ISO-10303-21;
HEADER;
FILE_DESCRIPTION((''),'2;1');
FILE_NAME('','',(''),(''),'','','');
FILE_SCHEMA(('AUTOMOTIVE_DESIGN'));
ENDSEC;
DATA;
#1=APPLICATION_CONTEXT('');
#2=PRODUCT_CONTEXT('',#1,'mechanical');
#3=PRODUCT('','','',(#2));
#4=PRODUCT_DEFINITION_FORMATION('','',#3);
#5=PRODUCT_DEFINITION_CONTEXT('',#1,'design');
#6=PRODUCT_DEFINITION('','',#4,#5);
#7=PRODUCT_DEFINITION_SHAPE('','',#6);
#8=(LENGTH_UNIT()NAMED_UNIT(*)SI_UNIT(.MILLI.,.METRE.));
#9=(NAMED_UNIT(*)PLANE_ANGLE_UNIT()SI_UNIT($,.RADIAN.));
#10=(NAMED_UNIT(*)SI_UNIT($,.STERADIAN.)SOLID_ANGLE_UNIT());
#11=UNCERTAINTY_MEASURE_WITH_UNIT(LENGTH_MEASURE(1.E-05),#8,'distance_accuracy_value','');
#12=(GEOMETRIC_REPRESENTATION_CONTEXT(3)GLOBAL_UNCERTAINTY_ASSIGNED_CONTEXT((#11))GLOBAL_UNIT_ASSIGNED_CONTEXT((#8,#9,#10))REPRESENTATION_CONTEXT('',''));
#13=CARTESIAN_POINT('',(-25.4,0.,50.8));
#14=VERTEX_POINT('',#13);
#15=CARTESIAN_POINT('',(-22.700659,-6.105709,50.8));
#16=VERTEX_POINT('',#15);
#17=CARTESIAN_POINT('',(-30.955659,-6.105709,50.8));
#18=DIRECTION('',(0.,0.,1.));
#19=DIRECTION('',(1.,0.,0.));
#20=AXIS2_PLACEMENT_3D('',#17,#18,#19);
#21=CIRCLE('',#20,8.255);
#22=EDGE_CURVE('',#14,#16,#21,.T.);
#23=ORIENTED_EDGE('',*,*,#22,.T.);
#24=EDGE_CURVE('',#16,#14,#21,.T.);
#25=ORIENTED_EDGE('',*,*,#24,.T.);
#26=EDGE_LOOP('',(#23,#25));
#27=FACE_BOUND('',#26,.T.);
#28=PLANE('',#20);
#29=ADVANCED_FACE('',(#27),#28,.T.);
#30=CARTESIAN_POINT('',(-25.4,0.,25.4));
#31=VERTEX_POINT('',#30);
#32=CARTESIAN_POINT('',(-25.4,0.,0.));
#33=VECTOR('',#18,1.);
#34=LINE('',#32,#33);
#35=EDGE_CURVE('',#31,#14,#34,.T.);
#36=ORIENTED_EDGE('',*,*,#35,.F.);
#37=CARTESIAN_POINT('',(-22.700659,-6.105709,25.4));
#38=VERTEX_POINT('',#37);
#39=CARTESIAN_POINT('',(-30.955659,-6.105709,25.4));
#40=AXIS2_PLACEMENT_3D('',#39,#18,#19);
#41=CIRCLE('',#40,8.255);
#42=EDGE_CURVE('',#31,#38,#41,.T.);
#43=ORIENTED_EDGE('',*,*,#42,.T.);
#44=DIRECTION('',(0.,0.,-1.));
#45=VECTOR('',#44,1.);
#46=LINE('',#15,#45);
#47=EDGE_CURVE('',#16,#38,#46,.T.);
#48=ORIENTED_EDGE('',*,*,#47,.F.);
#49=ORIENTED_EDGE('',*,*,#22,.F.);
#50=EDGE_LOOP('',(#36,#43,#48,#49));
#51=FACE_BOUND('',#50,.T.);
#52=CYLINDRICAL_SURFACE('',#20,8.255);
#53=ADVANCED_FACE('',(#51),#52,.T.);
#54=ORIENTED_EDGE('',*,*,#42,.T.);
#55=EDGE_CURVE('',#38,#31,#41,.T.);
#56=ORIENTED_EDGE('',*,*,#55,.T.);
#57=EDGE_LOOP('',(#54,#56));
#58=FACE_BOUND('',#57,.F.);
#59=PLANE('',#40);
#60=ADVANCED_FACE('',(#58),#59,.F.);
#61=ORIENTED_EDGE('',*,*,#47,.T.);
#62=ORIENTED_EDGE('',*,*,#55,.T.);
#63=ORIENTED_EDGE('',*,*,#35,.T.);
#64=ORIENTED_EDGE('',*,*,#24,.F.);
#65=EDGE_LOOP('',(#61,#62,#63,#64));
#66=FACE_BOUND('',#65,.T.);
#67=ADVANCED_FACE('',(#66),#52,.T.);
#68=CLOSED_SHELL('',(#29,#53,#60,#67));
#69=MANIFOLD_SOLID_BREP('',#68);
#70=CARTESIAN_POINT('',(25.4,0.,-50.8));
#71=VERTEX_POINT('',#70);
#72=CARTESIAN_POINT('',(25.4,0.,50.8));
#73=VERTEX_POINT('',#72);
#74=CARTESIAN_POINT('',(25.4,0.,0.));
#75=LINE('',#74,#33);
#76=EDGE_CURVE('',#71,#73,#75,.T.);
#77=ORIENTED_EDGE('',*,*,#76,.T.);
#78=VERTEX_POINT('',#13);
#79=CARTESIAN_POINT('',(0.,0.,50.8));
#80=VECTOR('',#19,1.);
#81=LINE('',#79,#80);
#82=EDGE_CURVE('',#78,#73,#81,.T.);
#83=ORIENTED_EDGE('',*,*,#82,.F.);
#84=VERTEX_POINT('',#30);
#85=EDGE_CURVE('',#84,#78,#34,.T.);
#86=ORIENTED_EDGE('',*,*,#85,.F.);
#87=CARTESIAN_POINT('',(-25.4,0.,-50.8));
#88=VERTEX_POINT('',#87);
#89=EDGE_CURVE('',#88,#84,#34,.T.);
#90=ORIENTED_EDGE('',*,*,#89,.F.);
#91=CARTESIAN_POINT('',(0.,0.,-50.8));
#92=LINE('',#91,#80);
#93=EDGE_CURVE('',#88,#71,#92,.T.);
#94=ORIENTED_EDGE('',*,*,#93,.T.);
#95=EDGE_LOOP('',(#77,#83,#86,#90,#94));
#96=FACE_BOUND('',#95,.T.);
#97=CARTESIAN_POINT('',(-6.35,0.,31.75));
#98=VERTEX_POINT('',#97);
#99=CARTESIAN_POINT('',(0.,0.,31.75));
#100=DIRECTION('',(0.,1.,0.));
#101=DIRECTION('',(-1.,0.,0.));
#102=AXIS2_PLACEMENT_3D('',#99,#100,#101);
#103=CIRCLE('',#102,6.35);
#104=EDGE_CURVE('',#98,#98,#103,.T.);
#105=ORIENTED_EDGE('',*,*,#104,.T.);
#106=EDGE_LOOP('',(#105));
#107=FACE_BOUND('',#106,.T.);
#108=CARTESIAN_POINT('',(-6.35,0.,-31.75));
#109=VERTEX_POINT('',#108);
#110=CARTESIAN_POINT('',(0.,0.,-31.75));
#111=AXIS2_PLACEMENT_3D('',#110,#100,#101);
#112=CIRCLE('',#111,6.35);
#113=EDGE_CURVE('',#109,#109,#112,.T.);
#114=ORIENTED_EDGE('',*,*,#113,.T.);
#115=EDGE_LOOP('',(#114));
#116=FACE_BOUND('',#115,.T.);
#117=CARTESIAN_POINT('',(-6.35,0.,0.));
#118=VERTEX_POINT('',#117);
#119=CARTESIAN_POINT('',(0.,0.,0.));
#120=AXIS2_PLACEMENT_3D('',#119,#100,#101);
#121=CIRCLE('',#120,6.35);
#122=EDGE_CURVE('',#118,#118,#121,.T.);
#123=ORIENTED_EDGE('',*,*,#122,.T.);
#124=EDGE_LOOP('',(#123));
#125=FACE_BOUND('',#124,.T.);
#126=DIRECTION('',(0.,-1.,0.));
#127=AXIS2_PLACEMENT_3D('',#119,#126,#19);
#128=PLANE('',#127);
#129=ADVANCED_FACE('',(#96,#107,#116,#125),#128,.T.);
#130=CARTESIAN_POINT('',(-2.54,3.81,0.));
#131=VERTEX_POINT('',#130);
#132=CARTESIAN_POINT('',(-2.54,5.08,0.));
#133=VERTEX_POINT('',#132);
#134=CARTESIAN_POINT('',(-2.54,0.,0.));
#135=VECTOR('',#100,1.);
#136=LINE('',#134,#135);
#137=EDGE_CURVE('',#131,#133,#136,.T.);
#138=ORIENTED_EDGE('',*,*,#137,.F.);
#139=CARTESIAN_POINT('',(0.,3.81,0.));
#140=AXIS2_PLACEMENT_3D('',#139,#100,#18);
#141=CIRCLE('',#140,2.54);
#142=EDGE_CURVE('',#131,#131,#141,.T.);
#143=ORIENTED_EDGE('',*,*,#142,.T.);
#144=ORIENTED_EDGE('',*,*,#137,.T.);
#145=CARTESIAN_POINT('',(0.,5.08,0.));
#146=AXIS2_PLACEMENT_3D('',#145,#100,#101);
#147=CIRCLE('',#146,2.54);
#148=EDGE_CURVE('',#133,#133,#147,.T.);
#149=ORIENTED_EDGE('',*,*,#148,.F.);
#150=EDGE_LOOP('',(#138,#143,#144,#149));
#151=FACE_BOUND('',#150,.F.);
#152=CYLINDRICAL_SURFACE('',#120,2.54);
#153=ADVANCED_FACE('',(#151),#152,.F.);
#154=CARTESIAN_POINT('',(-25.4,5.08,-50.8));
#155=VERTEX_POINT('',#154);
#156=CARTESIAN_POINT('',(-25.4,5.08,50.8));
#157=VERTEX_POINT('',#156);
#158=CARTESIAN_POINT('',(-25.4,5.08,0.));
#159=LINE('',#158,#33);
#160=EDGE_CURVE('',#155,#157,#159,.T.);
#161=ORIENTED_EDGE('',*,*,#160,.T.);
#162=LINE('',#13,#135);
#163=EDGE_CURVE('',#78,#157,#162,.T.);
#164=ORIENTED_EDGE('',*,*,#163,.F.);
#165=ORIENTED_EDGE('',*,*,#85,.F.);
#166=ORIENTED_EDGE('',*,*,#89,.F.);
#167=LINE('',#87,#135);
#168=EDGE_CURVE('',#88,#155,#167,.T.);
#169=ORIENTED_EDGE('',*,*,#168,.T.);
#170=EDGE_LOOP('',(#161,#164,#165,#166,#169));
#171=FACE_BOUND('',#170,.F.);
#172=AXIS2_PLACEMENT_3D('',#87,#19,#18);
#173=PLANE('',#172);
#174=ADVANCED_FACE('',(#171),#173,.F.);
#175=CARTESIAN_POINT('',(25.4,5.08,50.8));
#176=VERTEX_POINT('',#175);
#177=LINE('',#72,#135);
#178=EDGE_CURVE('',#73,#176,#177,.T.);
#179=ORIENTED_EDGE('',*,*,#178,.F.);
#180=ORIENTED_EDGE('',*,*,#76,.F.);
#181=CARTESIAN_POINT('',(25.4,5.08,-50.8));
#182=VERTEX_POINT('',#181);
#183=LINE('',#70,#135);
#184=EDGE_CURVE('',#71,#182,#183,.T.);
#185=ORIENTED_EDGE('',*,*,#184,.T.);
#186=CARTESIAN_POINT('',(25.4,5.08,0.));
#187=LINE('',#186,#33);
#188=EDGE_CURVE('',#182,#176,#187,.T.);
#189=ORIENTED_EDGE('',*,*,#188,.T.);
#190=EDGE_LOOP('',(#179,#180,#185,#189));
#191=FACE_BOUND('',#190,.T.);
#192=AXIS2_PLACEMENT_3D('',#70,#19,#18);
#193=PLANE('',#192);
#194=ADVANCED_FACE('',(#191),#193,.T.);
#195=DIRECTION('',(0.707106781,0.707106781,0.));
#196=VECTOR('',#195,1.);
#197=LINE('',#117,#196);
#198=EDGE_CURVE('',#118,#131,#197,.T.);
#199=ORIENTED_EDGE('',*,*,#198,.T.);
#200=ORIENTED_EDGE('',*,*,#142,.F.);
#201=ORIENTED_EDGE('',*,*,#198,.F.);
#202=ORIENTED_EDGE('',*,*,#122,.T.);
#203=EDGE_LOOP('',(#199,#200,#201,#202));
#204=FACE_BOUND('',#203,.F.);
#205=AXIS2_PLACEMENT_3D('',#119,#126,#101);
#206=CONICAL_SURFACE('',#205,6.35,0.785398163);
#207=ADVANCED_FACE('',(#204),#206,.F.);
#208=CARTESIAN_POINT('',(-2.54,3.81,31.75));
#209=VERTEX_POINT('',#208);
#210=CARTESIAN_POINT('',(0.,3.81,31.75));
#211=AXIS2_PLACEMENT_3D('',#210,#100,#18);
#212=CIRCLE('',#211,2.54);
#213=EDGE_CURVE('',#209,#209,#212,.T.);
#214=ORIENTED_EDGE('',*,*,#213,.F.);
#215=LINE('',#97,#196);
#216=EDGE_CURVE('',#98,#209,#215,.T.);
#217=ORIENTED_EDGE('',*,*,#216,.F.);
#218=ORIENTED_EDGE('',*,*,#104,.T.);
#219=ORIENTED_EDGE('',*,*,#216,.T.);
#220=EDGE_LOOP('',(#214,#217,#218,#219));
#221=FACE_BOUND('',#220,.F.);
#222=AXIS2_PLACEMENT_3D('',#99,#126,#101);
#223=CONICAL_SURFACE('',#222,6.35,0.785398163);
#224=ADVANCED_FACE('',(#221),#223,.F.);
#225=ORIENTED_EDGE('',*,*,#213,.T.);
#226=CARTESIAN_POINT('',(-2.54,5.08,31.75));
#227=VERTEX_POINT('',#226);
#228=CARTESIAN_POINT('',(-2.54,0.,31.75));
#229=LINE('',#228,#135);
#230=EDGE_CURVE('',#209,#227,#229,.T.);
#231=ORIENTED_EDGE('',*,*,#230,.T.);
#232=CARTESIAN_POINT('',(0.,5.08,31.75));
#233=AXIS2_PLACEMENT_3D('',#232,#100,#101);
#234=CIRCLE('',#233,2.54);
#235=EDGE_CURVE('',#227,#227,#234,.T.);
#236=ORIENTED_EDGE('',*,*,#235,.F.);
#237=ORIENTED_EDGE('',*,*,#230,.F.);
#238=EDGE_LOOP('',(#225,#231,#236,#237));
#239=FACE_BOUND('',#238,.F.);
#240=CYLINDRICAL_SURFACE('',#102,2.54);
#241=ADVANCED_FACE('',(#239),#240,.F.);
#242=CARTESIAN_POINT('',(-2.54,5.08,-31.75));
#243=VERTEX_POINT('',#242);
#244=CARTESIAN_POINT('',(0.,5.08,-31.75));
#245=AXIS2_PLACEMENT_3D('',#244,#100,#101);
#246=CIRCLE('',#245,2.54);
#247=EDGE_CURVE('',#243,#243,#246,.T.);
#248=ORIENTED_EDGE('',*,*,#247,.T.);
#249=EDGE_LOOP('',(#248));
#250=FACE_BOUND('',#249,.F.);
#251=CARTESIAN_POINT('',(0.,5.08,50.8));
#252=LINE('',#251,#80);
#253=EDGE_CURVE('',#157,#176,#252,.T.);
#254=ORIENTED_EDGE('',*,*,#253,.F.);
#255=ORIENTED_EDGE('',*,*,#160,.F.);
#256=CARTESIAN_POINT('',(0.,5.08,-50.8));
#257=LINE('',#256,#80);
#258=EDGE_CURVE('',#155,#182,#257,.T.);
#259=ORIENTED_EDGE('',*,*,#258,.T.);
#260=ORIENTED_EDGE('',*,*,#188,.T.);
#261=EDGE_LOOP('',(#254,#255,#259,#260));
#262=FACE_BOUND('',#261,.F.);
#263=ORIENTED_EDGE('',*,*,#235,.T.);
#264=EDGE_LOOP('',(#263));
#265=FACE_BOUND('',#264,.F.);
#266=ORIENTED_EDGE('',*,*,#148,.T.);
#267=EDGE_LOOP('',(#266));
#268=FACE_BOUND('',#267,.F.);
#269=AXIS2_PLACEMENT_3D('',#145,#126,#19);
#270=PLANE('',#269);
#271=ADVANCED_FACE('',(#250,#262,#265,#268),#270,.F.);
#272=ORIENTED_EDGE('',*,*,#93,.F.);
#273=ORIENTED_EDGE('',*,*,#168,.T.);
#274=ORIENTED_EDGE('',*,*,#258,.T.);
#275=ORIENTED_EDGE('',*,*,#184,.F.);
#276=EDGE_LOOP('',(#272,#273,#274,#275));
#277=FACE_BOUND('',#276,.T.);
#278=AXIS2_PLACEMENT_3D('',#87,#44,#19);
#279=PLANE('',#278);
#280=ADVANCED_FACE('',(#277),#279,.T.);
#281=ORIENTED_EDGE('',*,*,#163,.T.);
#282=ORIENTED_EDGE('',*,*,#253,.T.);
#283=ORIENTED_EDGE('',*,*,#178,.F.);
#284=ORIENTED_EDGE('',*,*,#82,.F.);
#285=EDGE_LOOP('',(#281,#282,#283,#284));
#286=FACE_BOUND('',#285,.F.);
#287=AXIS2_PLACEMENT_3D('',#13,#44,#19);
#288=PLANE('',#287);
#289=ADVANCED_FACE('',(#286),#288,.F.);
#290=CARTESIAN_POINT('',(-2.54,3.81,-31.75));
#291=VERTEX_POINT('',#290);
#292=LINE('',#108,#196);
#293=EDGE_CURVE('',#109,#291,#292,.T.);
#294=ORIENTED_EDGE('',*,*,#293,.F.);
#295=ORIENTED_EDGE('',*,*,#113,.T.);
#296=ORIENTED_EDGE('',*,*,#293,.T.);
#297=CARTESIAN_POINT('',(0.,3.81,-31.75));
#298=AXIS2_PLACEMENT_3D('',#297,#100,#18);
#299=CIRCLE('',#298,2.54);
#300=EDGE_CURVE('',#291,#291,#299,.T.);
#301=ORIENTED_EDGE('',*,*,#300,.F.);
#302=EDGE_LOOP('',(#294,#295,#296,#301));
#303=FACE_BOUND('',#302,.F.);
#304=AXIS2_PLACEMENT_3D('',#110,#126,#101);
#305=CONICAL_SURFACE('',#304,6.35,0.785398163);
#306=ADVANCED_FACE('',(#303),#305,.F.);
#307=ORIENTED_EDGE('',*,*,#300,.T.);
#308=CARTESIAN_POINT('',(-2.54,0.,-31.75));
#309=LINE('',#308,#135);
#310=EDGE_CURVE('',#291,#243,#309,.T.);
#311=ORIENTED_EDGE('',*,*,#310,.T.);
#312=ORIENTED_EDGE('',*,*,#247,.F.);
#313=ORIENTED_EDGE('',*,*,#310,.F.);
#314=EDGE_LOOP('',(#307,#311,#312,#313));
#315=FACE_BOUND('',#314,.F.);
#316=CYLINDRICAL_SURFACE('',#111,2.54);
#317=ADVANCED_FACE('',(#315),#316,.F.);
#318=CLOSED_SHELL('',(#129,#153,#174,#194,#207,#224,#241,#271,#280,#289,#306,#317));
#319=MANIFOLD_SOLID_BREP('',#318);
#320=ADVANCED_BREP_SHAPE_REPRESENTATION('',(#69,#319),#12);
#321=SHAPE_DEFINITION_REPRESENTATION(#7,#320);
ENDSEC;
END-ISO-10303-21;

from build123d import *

# Parameters (mm, degrees)
F0_W           = 50.8
F0_H           = 101.6
F1_DEPTH       = 5.08
F3_D           = 5.08
F3_CSINK_D     = 12.7
F3_CSINK_ANGLE = 90
F4_R           = 8.255
F5_DEPTH       = 25.4


with BuildPart() as f1:
    # F0 (on Front) → F1 (new body)
    with BuildSketch(Plane.XZ):
        Rectangle(F0_W, F0_H)
    extrude(amount=-F1_DEPTH)

    # F3 (through all)
    with Locations(Plane.XZ):
        with Locations((0, 31.75), (0, -31.75), (0, 0)):
            CounterSinkHole(F3_D / 2, F3_CSINK_D / 2, counter_sink_angle=F3_CSINK_ANGLE)

    # F4 (on face) → F5 (join)
    with BuildSketch(Plane.XY.offset(50.8)):
        with Locations((-30.955659, -6.105709)):
            Circle(F4_R)
    extrude(amount=-F5_DEPTH)


solid = f1.part
